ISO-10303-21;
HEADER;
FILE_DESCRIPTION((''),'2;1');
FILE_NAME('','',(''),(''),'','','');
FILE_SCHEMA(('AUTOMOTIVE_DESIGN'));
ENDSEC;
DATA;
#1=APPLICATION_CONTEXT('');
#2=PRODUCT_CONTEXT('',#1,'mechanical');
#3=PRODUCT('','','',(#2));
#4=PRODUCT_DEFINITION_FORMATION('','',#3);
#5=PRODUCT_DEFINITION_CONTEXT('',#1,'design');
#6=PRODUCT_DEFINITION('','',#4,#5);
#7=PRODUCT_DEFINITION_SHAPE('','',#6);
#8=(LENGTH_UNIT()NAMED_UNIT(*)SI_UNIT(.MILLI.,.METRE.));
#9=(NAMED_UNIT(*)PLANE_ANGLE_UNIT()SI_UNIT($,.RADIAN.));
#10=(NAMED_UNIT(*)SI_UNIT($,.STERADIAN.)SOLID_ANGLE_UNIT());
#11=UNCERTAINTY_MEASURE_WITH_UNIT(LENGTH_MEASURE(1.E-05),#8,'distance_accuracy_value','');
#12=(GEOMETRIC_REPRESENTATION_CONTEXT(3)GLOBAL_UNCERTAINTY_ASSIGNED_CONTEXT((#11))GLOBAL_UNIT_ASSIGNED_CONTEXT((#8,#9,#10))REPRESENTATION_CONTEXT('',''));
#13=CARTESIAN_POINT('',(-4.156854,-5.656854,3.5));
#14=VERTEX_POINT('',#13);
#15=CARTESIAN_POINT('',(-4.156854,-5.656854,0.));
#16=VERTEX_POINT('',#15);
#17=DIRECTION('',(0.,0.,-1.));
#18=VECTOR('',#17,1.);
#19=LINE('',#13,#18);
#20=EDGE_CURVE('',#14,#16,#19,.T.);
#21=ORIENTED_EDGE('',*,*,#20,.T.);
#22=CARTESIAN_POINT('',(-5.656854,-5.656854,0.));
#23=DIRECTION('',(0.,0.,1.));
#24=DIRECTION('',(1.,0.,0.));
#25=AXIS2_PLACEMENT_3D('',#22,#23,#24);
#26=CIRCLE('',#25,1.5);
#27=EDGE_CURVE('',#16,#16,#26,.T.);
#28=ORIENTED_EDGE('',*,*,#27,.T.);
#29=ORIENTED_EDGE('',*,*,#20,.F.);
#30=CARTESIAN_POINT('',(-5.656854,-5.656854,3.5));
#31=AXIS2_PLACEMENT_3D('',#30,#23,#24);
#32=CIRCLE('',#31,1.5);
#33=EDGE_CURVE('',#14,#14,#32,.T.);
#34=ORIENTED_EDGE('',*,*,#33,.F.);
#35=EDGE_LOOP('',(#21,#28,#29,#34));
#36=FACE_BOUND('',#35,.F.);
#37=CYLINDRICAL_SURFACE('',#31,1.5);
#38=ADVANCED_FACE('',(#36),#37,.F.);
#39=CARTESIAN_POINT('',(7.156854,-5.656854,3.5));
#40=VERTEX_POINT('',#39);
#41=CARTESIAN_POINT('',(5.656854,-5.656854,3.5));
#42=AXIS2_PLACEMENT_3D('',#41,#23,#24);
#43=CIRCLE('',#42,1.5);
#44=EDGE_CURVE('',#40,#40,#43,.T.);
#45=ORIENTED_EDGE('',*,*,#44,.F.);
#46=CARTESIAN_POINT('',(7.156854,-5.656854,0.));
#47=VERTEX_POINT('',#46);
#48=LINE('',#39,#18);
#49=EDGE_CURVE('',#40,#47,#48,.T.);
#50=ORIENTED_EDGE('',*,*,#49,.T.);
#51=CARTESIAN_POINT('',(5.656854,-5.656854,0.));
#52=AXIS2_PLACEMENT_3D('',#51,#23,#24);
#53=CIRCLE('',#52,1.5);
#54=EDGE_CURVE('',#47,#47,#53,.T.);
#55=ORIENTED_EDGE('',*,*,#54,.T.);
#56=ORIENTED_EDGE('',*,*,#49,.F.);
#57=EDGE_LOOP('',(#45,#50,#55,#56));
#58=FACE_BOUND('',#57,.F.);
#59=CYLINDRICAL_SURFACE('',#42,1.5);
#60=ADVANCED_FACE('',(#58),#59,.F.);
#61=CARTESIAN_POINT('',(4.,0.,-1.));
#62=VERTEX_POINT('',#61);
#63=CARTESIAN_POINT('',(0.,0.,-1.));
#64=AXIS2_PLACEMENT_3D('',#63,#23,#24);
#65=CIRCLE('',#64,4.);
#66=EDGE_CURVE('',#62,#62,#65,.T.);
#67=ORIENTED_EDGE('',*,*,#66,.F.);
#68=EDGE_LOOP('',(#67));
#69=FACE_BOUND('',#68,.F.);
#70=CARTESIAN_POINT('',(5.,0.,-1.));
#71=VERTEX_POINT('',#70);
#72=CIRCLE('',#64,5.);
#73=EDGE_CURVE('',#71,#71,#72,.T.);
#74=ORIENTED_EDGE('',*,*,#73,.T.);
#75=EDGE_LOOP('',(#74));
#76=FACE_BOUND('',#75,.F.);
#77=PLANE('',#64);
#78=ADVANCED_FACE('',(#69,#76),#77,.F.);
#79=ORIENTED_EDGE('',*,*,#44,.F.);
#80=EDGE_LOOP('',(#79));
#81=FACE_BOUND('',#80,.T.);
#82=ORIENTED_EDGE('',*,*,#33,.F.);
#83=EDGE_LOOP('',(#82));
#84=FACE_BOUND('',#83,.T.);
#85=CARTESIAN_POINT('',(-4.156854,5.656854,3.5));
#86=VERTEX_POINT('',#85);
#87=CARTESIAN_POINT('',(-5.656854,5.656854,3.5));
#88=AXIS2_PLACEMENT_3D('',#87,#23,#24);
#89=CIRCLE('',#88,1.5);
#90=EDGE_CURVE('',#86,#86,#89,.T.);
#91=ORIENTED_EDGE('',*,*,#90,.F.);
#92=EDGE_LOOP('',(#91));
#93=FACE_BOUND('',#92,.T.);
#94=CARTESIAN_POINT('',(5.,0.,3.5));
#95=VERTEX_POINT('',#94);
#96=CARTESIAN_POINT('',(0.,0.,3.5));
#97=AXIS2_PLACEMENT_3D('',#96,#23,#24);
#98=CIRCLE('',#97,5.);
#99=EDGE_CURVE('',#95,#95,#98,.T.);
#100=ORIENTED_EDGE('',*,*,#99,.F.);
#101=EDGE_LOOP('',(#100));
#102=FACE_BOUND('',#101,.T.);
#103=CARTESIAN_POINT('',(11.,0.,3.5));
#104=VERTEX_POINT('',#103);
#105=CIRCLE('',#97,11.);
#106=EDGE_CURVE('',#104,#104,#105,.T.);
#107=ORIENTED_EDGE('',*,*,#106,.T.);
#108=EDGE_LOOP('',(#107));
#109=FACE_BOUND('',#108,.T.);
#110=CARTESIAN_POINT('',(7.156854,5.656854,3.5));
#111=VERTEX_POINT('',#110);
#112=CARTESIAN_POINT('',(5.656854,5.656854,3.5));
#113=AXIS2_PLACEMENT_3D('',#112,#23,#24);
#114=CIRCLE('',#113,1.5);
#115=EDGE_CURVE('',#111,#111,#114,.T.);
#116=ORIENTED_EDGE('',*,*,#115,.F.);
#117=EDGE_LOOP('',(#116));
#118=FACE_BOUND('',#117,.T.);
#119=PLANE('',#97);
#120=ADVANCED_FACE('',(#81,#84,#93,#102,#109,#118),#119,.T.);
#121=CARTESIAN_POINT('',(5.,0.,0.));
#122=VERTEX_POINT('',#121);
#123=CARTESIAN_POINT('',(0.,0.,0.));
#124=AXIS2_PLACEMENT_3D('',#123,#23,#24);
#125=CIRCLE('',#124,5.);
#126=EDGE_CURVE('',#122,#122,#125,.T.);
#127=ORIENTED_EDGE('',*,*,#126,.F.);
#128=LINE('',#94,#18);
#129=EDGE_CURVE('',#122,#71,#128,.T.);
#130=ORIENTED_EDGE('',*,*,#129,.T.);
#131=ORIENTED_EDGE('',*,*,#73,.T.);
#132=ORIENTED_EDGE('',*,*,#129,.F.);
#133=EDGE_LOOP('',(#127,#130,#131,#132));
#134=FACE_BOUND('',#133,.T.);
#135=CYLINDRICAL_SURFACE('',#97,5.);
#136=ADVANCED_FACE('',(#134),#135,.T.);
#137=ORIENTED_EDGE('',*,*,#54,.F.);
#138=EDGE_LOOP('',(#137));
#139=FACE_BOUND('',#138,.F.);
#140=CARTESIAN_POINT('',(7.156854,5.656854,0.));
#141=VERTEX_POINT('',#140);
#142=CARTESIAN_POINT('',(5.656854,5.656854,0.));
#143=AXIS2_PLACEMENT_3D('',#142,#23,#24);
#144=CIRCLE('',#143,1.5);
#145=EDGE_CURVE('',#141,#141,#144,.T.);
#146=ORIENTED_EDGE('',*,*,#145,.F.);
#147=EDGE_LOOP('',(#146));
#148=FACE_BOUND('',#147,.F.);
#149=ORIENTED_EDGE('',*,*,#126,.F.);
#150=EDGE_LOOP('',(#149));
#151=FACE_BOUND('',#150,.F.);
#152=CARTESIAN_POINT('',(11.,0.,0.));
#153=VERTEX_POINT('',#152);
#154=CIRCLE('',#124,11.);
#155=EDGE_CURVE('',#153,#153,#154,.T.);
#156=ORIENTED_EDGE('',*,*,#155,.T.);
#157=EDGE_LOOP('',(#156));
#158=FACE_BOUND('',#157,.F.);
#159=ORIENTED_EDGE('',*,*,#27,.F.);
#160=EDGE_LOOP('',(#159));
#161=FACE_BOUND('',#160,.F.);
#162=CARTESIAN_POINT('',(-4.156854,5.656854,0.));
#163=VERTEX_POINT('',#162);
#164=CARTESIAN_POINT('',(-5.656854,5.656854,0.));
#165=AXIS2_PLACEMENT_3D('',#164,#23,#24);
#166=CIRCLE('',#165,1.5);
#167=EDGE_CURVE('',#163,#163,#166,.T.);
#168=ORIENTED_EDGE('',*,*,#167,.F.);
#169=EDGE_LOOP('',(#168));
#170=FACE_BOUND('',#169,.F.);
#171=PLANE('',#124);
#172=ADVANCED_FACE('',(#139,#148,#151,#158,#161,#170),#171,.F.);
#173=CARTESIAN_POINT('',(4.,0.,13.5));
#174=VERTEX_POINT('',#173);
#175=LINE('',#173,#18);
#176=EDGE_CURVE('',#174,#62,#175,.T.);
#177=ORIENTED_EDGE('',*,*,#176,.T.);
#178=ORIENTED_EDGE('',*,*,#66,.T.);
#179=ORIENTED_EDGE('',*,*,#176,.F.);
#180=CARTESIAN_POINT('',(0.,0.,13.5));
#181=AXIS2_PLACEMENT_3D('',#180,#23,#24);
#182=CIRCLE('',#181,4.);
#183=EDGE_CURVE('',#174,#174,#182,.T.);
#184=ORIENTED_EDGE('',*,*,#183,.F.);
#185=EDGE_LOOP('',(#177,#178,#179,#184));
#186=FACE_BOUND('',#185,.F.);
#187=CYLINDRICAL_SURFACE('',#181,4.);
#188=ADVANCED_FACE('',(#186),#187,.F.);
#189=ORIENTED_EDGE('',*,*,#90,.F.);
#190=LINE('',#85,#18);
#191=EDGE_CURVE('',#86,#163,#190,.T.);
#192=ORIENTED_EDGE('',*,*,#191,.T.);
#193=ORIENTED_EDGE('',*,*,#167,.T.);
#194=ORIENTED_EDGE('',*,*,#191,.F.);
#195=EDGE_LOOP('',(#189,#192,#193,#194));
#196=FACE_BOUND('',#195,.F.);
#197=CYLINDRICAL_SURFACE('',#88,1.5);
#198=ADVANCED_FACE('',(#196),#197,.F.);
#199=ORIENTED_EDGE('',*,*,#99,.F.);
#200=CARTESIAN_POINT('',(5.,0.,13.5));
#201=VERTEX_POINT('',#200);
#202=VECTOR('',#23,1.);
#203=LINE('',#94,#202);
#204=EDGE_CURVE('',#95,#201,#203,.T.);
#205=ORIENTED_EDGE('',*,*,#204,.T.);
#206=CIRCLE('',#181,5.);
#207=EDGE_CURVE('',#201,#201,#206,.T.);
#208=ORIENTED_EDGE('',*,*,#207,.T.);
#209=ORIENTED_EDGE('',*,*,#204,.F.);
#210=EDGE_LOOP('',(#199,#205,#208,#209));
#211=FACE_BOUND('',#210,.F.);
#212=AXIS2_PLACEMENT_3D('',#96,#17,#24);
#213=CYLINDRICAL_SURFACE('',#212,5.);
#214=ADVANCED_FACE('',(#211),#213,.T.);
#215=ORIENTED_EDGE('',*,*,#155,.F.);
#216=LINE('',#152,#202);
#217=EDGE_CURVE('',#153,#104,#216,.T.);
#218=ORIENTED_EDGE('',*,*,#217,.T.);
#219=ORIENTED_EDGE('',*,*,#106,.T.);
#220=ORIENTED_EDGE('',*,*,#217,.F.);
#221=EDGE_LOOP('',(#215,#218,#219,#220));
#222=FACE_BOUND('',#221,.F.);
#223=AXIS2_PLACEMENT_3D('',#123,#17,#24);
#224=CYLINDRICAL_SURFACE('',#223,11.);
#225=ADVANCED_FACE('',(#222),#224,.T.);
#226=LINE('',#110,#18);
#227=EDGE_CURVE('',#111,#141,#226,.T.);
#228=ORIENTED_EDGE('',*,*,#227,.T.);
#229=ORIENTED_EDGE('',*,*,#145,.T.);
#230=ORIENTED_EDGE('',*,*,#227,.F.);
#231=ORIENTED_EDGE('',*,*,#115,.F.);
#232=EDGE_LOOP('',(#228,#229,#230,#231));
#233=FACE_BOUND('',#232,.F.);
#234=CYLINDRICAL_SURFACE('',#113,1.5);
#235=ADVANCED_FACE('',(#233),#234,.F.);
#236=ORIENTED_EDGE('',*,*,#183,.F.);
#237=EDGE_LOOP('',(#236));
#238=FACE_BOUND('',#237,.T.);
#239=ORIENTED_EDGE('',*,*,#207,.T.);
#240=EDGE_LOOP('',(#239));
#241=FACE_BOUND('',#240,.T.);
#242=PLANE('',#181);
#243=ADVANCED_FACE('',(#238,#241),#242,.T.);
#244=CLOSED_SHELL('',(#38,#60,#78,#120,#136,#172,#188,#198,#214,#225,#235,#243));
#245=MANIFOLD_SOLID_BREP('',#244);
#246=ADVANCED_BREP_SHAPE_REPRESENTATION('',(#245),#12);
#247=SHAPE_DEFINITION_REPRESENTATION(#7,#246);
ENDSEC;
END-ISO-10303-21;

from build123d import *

# Parameters (mm, degrees)
SKETCH_R          = 11
PAD_DEPTH         = 3.5
SKETCH001_R       = 5
PAD001_DEPTH      = 10
PAD001_DEPTH_BACK = 4.5
SKETCH002_R       = 4
POCKET_DEPTH      = 14.501
SKETCH003_R       = 1.5
POCKET001_DEPTH   = 4.501


with BuildPart() as part:
    # Sketch → Pad (new body)
    with BuildSketch(Plane.XY):
        Circle(SKETCH_R)
    extrude(amount=PAD_DEPTH)

    # Sketch001 (on Face3 of Pad) → Pad001 (join, two sides)
    with BuildSketch(Plane.XY.offset(3.5)) as pad001_sk:
        Circle(SKETCH001_R)
    extrude(amount=PAD001_DEPTH)
    extrude(pad001_sk.sketch, amount=-PAD001_DEPTH_BACK)

    # Sketch002 (on Face7 of Pad001) → Pocket (cut, through all)
    with BuildSketch(Plane.XY.offset(13.5)):
        Circle(SKETCH002_R)
    extrude(amount=-POCKET_DEPTH, mode=Mode.SUBTRACT)

    # Sketch003 (on Face3 of Pocket) → Pocket001 (cut, through all)
    with BuildSketch(Plane.XY.offset(3.5)):
        with Locations((-5.656854, 5.656854)):
            Circle(SKETCH003_R)
        with Locations((5.656854, 5.656854)):
            Circle(SKETCH003_R)
        with Locations((5.656854, -5.656854)):
            Circle(SKETCH003_R)
        with Locations((-5.656854, -5.656854)):
            Circle(SKETCH003_R)
    extrude(amount=-POCKET001_DEPTH, mode=Mode.SUBTRACT)


solid = part.part
